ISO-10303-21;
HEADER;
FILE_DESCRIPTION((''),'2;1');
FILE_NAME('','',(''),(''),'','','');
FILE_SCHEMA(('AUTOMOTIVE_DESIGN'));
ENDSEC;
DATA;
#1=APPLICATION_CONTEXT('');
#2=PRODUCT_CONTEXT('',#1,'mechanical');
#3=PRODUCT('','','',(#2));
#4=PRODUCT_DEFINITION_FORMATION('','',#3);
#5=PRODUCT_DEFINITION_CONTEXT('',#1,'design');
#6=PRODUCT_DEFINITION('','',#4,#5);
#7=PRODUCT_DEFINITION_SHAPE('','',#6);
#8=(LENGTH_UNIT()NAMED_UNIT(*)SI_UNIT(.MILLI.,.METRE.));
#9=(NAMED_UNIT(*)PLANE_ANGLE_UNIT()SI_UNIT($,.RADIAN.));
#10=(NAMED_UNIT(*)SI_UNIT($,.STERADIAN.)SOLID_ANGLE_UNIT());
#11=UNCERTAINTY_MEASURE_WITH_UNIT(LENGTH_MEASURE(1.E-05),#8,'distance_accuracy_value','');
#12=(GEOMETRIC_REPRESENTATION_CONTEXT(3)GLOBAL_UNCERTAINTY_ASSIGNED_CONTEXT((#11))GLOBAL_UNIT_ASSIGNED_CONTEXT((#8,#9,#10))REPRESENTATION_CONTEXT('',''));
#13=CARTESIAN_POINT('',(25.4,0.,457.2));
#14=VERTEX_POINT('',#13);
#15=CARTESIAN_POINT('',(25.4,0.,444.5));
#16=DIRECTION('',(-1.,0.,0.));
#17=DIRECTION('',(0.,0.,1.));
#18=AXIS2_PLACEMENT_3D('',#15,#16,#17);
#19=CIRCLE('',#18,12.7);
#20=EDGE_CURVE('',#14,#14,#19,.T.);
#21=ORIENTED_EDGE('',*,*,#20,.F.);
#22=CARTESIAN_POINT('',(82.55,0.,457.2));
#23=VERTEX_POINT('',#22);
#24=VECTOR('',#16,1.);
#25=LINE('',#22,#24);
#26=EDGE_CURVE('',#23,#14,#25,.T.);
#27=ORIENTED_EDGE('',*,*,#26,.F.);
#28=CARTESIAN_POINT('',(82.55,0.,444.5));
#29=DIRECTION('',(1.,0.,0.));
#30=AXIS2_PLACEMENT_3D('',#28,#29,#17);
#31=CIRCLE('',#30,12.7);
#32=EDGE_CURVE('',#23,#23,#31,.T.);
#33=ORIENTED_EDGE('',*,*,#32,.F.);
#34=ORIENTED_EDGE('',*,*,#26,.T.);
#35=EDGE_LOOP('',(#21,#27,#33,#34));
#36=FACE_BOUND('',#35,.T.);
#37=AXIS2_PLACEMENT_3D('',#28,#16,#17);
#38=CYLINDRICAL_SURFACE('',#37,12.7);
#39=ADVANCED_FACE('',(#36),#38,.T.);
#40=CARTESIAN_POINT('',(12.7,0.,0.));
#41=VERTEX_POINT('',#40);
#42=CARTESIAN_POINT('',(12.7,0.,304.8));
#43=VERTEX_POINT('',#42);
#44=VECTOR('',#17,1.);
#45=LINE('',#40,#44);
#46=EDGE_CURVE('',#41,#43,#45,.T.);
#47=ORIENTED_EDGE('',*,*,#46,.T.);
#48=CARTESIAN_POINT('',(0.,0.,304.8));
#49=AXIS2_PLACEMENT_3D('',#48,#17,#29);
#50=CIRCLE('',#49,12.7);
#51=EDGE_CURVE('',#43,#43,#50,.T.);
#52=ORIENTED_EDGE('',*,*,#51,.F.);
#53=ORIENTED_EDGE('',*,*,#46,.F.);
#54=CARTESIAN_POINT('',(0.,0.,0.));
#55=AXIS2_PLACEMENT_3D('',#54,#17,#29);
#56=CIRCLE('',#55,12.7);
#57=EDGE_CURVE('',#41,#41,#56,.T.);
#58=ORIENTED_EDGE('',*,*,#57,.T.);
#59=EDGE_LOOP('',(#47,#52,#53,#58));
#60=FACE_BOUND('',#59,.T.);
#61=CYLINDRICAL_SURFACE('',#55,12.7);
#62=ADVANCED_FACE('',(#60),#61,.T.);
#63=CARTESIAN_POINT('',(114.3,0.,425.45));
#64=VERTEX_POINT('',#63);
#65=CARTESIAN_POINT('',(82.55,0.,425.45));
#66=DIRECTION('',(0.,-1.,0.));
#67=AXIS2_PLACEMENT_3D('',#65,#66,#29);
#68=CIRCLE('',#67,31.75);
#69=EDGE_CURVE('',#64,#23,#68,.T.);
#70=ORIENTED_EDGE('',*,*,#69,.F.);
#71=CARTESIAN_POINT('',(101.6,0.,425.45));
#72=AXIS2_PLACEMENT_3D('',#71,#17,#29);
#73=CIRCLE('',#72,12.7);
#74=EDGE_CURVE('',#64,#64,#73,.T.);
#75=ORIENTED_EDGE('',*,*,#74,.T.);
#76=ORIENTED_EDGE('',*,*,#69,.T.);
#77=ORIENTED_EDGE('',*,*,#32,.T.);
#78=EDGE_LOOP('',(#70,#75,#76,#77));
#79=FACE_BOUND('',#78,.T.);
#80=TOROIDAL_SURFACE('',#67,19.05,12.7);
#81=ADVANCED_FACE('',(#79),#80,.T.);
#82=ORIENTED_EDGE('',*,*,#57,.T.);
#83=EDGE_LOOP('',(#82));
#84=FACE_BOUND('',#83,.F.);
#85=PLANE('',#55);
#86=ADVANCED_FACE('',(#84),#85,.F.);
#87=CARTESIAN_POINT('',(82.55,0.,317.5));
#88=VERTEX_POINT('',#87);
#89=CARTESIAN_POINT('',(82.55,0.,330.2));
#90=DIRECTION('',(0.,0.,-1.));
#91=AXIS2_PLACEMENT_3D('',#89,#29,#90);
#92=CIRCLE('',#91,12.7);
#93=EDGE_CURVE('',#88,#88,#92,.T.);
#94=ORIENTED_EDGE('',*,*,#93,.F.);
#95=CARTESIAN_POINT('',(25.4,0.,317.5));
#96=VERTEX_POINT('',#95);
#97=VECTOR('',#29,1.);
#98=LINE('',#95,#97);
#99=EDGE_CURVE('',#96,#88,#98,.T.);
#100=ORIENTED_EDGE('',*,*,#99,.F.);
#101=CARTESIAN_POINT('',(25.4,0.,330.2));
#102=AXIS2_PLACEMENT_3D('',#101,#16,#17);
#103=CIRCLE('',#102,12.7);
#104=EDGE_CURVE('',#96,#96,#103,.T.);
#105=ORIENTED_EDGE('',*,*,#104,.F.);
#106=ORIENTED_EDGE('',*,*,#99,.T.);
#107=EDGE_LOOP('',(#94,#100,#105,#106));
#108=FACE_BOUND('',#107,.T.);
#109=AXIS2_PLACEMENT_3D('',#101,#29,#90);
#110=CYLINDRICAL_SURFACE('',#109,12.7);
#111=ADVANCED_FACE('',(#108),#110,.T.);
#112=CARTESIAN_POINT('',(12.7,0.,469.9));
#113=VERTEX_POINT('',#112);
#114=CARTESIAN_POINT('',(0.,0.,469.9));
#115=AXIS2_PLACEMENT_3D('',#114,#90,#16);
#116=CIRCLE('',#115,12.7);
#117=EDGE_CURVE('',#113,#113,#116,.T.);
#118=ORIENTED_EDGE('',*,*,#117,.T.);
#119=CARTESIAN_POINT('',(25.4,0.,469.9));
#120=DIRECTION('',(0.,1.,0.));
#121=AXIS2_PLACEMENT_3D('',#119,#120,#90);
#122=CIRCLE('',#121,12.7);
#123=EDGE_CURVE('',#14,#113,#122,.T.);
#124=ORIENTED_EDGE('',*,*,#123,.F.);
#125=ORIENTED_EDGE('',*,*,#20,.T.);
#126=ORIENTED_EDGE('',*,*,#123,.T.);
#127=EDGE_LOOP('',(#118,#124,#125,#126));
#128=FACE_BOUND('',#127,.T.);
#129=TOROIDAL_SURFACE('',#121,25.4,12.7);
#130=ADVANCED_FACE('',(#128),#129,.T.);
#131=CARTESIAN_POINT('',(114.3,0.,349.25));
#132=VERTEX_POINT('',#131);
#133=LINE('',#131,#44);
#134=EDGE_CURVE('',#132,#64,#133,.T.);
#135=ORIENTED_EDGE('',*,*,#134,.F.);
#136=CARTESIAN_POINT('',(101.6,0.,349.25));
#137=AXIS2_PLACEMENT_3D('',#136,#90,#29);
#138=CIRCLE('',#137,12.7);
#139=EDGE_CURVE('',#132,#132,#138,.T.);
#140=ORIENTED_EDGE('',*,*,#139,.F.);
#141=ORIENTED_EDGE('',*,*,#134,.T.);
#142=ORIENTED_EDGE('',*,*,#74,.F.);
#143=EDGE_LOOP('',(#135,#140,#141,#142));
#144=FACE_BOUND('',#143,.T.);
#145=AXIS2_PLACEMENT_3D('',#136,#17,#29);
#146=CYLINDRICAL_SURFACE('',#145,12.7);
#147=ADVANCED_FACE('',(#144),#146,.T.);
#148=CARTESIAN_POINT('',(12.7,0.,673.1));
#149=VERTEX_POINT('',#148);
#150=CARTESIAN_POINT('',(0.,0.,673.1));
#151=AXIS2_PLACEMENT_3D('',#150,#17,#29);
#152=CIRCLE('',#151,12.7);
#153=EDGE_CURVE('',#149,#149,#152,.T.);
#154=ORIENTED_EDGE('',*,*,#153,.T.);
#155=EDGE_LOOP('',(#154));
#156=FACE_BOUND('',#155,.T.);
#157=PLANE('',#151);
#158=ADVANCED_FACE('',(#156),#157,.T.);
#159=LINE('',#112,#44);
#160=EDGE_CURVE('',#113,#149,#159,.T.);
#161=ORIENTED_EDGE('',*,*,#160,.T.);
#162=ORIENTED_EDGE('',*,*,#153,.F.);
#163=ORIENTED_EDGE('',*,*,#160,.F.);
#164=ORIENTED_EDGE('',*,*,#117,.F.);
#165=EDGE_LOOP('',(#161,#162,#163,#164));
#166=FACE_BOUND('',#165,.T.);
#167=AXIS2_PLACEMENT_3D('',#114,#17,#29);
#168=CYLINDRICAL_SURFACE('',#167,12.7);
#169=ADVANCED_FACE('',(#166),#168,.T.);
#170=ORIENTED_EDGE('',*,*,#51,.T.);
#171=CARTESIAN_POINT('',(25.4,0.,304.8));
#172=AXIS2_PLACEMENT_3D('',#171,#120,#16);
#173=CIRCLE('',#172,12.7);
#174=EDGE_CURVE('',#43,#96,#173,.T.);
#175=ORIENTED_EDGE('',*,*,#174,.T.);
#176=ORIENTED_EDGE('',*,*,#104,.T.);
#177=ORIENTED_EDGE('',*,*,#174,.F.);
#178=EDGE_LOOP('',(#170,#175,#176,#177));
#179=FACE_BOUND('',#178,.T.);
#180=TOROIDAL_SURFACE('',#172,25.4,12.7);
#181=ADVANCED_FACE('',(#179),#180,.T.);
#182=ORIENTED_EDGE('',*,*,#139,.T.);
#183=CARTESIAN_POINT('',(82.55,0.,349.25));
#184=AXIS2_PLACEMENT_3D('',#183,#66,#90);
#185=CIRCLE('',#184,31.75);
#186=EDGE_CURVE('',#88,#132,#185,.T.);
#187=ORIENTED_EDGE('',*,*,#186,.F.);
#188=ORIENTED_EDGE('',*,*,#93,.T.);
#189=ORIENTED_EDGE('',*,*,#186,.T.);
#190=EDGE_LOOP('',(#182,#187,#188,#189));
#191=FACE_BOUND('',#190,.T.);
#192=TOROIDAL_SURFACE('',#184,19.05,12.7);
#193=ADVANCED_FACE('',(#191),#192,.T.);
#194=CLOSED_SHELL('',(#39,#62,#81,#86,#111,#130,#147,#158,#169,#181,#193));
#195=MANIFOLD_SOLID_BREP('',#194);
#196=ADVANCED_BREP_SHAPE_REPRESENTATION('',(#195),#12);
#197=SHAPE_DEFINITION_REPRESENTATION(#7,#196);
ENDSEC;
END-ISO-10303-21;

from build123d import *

# Parameters (mm, degrees)
F1_R = 12.7


with BuildPart() as f2:
    # F2: sweep along a path in F0
    with BuildLine(Plane.XZ) as f2_path:
        Line((0, 0), (0, 304.8))
        ThreePointArc((0, 304.8), (7.4394877579, 322.7605122421), (25.4, 330.2))
        Line((25.4, 330.2), (82.55, 330.2))
        ThreePointArc((82.55, 330.2), (96.0203841816, 335.7796158184), (101.6, 349.25))
        Line((101.6, 349.25), (101.6, 425.45))
        ThreePointArc((101.6, 425.45), (96.0203841816, 438.9203841816), (82.55, 444.5))
        Line((82.55, 444.5), (25.4, 444.5))
        ThreePointArc((25.4, 444.5), (7.4394877579, 451.9394877579), (0, 469.9))
        Line((0, 469.9), (0, 673.1))
    # F1 (on Top) → F2 (sweep)
    with BuildSketch(Plane.XY):
        Circle(F1_R)
    sweep(path=f2_path.line)


solid = f2.part
